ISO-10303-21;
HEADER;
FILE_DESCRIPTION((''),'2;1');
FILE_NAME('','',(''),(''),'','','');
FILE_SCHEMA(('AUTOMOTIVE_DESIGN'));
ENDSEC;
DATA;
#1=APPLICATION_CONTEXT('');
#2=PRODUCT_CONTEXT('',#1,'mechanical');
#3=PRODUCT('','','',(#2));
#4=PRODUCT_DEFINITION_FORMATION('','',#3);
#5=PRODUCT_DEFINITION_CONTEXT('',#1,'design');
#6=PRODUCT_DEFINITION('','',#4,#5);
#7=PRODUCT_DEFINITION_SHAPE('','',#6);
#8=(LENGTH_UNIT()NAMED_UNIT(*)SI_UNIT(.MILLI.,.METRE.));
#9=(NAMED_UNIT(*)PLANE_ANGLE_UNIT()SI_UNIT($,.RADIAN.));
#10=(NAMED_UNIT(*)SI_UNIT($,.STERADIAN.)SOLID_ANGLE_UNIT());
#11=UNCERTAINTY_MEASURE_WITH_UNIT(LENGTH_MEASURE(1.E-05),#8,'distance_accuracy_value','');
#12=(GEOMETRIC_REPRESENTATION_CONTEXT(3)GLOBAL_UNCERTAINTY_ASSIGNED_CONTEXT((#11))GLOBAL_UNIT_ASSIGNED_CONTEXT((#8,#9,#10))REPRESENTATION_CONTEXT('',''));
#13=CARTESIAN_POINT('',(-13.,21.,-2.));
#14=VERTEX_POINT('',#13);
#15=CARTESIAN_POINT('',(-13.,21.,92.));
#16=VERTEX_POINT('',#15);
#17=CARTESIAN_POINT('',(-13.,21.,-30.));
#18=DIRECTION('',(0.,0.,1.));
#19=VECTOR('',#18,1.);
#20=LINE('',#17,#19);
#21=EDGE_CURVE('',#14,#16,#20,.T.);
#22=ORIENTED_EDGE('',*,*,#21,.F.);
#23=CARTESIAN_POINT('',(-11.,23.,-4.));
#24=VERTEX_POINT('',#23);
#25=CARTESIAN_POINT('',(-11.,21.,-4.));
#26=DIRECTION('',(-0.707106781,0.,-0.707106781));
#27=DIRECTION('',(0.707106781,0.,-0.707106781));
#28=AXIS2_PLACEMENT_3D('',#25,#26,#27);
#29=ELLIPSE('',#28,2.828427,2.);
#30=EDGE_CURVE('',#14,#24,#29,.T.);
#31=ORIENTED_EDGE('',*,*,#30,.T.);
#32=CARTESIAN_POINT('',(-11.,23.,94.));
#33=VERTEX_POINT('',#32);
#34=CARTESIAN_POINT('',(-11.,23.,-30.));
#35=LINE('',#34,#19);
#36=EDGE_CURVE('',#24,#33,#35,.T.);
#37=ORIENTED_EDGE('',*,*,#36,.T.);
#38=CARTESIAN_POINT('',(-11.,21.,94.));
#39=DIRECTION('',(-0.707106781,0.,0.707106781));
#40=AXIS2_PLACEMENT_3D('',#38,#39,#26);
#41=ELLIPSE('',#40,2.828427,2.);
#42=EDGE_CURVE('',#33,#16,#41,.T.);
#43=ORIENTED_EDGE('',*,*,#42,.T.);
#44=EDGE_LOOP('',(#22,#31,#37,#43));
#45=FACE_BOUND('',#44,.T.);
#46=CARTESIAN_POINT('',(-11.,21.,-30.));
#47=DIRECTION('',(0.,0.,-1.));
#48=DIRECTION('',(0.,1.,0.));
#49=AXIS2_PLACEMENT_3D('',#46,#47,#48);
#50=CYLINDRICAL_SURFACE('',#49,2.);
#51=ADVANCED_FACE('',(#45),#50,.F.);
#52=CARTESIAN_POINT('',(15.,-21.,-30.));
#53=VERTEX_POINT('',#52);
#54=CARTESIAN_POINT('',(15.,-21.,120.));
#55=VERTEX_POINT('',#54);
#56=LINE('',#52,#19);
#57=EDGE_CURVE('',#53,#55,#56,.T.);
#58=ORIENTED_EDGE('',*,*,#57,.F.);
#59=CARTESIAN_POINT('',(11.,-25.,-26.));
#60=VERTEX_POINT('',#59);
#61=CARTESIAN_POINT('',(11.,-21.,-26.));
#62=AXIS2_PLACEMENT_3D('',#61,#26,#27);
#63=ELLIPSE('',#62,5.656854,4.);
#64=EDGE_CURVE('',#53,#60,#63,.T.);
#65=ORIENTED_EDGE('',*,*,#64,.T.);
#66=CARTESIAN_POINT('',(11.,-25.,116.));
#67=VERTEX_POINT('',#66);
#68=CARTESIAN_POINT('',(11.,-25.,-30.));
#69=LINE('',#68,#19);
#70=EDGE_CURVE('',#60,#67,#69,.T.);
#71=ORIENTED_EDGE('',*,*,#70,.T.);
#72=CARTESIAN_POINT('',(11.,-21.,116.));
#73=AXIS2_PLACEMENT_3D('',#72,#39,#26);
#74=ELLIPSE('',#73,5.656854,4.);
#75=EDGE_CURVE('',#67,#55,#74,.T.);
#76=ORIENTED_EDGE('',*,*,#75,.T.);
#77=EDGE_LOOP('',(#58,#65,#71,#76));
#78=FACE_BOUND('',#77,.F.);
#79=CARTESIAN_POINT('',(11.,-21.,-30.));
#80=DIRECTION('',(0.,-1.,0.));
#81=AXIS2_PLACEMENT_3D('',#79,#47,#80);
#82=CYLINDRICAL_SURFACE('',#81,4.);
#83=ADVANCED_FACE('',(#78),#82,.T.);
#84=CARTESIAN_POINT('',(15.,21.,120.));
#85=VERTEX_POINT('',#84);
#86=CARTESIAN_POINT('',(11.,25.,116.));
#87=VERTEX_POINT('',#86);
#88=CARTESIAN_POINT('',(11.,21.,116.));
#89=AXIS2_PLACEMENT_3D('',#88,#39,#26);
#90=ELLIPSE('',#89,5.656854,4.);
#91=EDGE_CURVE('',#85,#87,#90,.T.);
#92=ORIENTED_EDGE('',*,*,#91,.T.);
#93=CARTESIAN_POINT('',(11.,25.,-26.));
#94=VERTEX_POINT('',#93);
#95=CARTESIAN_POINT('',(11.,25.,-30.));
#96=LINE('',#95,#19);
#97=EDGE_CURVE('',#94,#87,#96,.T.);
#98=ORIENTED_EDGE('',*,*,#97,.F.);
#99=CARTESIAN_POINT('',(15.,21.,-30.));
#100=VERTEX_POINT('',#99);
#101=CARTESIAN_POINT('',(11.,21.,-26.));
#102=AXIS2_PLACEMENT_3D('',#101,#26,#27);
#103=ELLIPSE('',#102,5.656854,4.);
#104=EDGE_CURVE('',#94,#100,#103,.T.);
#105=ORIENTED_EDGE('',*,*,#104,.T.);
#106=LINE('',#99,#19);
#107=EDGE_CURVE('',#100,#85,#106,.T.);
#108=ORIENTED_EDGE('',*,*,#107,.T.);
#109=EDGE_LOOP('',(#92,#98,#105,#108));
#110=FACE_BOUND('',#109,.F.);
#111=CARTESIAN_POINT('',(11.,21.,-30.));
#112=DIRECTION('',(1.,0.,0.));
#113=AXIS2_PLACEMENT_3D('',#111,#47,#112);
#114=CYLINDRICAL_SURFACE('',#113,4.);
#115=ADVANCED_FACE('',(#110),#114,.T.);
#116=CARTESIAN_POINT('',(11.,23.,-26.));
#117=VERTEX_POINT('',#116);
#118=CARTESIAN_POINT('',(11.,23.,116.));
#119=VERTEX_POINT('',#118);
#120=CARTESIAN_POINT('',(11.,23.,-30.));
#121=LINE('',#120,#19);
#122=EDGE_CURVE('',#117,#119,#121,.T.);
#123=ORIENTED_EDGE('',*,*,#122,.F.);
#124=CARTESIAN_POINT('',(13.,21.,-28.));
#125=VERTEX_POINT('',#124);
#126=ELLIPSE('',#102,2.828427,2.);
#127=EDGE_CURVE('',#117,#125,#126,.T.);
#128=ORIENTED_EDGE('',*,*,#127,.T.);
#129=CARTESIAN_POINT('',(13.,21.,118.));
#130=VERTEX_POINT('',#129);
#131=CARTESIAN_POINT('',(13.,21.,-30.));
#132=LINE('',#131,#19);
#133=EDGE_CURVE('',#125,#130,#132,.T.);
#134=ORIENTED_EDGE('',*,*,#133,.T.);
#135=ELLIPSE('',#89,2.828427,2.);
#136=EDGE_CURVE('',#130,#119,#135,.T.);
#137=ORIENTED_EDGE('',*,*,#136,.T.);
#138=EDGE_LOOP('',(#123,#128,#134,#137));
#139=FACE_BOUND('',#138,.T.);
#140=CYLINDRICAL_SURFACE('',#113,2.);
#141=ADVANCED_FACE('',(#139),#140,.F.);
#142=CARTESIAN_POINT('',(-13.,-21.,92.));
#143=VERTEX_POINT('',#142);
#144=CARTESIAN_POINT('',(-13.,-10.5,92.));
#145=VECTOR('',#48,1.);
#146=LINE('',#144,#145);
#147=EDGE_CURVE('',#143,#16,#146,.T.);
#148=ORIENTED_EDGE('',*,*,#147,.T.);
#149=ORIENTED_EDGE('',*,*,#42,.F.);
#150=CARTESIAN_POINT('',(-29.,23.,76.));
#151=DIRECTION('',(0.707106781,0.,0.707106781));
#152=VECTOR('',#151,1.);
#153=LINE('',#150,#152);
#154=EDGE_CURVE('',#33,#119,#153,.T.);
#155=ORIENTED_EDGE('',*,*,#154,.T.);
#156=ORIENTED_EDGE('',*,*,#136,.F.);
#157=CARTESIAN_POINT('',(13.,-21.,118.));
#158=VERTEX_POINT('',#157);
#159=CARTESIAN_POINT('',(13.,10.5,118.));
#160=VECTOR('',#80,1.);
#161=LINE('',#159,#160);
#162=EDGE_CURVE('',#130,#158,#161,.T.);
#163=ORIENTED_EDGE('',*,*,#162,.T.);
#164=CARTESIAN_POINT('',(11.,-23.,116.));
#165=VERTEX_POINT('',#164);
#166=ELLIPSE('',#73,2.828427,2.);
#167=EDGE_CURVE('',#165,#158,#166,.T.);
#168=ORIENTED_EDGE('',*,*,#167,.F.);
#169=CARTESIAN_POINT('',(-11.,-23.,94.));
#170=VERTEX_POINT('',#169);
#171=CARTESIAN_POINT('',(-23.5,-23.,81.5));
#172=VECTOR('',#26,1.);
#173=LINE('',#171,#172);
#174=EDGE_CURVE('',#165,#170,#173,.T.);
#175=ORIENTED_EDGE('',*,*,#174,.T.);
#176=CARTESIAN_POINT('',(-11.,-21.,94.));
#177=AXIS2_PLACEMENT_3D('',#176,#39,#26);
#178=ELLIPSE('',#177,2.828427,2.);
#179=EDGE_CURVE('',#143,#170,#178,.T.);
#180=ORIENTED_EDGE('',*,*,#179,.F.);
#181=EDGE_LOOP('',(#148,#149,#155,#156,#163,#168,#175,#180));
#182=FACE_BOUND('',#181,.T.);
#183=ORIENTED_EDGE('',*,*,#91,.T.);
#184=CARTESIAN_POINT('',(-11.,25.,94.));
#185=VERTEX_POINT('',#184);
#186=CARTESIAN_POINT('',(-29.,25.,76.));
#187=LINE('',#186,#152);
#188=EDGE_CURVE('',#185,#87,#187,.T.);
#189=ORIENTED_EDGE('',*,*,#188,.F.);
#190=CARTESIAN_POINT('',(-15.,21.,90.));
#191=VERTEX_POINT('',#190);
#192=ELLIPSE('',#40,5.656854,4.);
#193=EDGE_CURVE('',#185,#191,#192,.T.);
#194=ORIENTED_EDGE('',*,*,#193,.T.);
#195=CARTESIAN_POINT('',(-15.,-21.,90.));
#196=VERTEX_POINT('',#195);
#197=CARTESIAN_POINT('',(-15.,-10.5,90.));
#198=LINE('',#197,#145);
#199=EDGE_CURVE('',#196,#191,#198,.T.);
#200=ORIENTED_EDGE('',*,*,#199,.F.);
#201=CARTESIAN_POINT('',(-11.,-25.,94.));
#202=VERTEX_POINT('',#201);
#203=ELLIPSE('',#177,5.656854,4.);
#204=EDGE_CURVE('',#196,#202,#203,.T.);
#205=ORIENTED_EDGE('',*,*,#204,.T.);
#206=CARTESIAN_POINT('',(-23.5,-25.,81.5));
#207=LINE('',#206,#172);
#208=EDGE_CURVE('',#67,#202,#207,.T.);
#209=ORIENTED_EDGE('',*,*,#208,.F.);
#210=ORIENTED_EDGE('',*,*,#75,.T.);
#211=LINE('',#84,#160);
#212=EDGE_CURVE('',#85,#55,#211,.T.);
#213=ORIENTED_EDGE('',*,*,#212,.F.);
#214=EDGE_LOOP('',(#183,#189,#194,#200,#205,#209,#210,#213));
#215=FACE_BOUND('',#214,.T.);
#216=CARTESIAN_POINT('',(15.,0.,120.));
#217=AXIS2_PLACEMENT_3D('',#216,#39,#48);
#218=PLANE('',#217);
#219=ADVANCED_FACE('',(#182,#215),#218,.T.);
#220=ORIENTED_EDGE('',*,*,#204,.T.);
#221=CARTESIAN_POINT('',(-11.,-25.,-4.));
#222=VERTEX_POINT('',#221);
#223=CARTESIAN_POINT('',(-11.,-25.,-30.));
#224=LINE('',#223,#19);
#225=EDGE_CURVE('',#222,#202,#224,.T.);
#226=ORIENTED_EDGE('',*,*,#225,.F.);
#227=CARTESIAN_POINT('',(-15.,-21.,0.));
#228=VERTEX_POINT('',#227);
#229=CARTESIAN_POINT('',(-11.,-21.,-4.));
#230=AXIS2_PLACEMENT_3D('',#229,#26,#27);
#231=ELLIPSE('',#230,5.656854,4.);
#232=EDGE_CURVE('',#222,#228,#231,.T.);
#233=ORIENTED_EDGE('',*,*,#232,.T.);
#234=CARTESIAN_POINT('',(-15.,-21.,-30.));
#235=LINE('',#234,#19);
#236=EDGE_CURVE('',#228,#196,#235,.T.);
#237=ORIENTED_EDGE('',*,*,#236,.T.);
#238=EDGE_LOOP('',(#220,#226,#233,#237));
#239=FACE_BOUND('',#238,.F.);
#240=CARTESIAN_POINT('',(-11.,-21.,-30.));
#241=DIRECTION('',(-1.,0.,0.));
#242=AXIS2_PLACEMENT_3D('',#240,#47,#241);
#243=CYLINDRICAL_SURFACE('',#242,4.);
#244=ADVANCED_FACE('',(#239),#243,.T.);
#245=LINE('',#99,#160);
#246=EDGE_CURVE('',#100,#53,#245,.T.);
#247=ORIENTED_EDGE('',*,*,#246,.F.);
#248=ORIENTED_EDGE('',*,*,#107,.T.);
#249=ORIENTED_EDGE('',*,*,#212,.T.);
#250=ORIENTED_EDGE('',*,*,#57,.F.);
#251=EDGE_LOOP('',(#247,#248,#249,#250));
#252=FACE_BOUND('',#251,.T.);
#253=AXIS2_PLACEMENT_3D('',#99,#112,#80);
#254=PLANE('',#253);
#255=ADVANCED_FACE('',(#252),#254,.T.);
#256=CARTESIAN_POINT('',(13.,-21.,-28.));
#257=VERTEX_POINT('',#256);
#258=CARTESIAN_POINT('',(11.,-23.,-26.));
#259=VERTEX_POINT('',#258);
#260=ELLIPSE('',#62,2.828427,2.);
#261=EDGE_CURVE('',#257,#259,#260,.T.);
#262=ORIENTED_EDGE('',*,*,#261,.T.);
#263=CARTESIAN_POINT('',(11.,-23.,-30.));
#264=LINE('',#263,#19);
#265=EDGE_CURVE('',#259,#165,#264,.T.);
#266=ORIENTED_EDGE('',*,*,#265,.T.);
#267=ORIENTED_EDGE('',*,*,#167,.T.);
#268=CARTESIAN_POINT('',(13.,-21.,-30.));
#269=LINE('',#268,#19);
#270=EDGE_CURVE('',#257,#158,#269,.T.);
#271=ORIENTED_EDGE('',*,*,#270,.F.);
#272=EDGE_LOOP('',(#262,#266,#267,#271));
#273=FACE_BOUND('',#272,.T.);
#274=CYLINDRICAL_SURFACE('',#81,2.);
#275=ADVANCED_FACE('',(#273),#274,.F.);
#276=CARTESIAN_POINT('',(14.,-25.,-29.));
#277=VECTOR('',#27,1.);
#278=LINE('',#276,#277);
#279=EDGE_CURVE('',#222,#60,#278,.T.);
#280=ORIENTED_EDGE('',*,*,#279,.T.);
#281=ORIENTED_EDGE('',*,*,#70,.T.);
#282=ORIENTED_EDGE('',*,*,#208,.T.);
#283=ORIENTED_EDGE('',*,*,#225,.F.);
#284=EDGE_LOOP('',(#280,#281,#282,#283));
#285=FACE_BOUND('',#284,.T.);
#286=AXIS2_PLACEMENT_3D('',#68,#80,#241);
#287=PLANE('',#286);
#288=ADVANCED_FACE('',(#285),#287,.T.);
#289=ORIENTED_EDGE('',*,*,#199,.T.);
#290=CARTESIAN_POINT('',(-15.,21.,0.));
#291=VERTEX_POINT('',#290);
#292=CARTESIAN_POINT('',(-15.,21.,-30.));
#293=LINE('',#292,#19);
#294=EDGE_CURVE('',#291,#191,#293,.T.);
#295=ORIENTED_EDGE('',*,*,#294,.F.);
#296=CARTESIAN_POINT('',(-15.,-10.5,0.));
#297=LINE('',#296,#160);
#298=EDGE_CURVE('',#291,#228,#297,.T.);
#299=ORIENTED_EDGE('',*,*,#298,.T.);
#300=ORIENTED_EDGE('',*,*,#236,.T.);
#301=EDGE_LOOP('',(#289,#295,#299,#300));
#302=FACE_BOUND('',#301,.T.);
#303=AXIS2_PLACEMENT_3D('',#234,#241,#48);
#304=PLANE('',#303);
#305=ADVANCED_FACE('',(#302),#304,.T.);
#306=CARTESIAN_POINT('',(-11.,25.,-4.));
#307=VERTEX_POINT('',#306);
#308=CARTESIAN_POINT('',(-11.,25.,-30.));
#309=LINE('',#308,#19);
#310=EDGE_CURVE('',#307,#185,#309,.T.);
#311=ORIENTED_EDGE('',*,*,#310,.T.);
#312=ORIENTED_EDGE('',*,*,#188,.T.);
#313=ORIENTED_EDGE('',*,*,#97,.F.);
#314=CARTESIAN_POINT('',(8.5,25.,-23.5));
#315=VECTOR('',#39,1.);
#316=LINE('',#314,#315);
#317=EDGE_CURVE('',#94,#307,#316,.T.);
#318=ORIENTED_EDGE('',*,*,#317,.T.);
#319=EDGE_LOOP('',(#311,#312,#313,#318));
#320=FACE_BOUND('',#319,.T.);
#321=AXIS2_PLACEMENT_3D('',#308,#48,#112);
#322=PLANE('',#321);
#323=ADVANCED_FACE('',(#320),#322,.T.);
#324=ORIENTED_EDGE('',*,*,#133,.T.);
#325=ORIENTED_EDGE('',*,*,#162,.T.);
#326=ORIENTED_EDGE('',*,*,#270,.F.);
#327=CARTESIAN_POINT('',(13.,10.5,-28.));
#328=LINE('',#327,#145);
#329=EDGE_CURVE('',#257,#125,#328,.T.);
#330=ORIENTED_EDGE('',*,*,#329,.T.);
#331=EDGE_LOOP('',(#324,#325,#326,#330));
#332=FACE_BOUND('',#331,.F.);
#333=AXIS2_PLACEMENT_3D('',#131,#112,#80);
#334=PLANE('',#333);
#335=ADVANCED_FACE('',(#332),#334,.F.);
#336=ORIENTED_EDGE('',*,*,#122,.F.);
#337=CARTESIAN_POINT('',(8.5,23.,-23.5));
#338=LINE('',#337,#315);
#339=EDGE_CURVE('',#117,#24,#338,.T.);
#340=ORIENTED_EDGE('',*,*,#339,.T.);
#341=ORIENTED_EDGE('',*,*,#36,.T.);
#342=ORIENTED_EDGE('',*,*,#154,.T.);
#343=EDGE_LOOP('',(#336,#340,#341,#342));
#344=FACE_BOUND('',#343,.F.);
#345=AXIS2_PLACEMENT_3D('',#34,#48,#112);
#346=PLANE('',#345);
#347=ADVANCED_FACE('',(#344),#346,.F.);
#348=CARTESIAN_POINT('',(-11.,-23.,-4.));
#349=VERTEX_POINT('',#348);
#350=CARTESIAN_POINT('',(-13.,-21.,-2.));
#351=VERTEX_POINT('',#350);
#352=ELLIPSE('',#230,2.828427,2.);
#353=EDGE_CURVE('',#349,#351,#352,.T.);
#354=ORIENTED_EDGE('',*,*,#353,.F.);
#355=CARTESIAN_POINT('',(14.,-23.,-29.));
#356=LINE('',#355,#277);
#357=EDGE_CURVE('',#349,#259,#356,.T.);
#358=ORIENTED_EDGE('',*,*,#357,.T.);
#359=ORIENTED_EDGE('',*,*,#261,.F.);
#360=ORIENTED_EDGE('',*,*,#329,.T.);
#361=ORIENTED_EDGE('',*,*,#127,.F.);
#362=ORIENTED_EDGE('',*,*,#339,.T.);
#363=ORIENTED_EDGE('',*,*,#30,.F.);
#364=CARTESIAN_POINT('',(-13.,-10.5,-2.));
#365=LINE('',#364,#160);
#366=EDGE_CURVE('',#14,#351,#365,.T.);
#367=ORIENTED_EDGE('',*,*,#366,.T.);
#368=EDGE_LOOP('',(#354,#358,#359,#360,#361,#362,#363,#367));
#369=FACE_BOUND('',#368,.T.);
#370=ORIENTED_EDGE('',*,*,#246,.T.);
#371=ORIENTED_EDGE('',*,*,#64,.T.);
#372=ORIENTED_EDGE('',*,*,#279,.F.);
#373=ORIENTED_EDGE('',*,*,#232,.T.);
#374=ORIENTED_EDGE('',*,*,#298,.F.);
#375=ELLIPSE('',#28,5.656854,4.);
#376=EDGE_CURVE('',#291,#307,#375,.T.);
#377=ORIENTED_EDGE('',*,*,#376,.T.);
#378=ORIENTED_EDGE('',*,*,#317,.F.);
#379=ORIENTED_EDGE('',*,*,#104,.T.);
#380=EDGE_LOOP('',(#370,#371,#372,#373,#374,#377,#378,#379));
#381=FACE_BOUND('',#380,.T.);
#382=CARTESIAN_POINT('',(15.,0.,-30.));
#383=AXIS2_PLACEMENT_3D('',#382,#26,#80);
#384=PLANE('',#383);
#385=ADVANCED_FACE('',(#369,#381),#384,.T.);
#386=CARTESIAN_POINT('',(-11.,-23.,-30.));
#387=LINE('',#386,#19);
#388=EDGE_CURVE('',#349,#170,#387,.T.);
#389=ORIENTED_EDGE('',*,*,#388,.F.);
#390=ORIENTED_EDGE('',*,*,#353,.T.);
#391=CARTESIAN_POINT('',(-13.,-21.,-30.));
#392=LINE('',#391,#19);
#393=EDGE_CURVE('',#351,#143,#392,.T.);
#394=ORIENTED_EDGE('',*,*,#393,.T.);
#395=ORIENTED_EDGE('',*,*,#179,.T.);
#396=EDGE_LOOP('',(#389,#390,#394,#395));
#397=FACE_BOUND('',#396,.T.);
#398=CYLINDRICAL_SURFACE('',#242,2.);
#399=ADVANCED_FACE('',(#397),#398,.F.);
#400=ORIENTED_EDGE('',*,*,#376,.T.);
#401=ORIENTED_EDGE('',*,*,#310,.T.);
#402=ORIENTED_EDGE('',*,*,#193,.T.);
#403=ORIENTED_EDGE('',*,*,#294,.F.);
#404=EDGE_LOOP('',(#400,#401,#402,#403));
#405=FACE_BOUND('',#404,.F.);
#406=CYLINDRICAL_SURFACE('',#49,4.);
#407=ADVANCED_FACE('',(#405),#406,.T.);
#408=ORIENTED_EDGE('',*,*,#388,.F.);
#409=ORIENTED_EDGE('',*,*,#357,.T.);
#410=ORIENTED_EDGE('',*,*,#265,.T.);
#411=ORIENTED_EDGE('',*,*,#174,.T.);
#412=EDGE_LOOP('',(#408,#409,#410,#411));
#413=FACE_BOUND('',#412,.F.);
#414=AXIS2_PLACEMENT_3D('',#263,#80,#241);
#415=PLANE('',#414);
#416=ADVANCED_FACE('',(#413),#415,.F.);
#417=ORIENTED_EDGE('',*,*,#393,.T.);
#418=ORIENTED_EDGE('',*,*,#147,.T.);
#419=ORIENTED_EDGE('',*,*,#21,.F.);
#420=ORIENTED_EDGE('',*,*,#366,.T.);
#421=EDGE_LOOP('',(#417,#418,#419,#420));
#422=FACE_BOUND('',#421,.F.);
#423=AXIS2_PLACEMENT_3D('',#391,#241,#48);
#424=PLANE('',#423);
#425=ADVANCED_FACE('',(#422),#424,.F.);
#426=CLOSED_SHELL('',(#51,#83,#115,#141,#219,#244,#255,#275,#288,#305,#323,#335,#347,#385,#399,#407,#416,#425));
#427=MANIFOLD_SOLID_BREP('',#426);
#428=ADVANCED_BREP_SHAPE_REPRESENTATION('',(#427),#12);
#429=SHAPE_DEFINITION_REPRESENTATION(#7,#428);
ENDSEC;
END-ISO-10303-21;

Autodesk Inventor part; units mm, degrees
ref_plane "Plano inicial" through (0, 0, -30) normal (0, 0, 1) x (1, 0, 0)
ref_plane "Plano final" through (0, 0, 120) normal (0, 0, 1) x (1, 0, 0)
sketch "Esboço" plane through (0, 0, 0) normal (0, 0, 1) x (1, 0, 0)
  line L0 (-15, -21) -> (-15, 21)
  line L1 (-11, 25) -> (11, 25)
  line L2 (15, 21) -> (15, -21)
  line L3 (11, -25) -> (-11, -25)
  arc A0 (-15, -21) -> (-11, -25) centre (-11, -21) ccw
  arc A1 (15, 21) -> (11, 25) centre (11, 21) ccw
  arc A2 (-11, 25) -> (-15, 21) centre (-11, 21) ccw
  arc A3 (11, -25) -> (15, -21) centre (11, -21) ccw
  arc A4 (-11, 23) -> (-13, 21) centre (-11, 21) ccw
  line L4 (-11, 23) -> (11, 23)
  arc A5 (13, 21) -> (11, 23) centre (11, 21) ccw
  line L5 (13, 21) -> (13, -21)
  arc A6 (11, -23) -> (13, -21) centre (11, -21) ccw
  line L6 (11, -23) -> (-11, -23)
  arc A7 (-13, -21) -> (-11, -23) centre (-11, -21) ccw
  line L7 (-13, -21) -> (-13, 21)
  line L8 (0, 36.1598) -> (0, -36.1598) construction
  line L9 (-22.1598, 0) -> (22.1598, 0) construction
  dimension "d7" = 4
  dimension "d9" = 30
  dimension "d11" = 50
  dimension "d12" = 2
  dimension "d15" = 15
  dimension "d16" = 25
extrude "Corpo" add sketch "Esboço" along normal up to surface (150 mm away) from surface at -30
sketch "Sketch3" plane through (0, 0, 0) normal (0, 0, 1) x (1, 0, 0)
  line L0 (0, 0) -> (10, 0)
ref_plane "Work Plane3" through (0, 0, 0) normal (0, -1, 0) x (1, 0, 0)
sketch "Sketch4" plane through (0, 0, 0) normal (0, -1, 0) x (1, 0, 0)
  line L0 (-2, -30) -> (12, -30)
  line L1 (-2, 120) -> (12, 120)
  dimension "d18" = 150
ref_plane "Plano de trabalho5" through (15, 0, 120) normal (-0.7071, 0, 0.7071) x (0.7071, 0, 0.7071)
split "Dividir2" plane through (15, 0, 120) removes the side toward (-0.7071, 0, 0.7071)
ref_plane "Plano de trabalho6" through (15, 0, -30) normal (-0.7071, 0, -0.7071) x (-0.7071, 0, 0.7071)
split "Dividir3" plane through (15, 0, -30) removes the side toward (-0.7071, 0, -0.7071)
equation "\"d7\" = G_IR"
equation "\"d9\" = G_W"
equation "\"d11\" = G_H"
equation "\"d12\" = G_T"
equation "\"d15\" = 0.5 * d9"
equation "\"d16\" = 0.5 * d11"
equation "\"d3\" = G_L"
equation "\"G_W\" = 30"
equation "\"G_H\" = 50"
equation "\"G_T\" = 2"
equation "\"G_IR\" = 4"
equation "\"G_L\" = d18"
equation "\"G_OFFSET_START\" = 30"
equation "\"G_OFFSET_END\" = 30"
equation "\"d13\" = -G_OFFSET_START"
equation "\"d14\" = G_OFFSET_END + B_L"
equation "\"B_L\" = 90"
properties part number "ISO 4019 - 50x30x2 - 150" material "Aço, suave"
